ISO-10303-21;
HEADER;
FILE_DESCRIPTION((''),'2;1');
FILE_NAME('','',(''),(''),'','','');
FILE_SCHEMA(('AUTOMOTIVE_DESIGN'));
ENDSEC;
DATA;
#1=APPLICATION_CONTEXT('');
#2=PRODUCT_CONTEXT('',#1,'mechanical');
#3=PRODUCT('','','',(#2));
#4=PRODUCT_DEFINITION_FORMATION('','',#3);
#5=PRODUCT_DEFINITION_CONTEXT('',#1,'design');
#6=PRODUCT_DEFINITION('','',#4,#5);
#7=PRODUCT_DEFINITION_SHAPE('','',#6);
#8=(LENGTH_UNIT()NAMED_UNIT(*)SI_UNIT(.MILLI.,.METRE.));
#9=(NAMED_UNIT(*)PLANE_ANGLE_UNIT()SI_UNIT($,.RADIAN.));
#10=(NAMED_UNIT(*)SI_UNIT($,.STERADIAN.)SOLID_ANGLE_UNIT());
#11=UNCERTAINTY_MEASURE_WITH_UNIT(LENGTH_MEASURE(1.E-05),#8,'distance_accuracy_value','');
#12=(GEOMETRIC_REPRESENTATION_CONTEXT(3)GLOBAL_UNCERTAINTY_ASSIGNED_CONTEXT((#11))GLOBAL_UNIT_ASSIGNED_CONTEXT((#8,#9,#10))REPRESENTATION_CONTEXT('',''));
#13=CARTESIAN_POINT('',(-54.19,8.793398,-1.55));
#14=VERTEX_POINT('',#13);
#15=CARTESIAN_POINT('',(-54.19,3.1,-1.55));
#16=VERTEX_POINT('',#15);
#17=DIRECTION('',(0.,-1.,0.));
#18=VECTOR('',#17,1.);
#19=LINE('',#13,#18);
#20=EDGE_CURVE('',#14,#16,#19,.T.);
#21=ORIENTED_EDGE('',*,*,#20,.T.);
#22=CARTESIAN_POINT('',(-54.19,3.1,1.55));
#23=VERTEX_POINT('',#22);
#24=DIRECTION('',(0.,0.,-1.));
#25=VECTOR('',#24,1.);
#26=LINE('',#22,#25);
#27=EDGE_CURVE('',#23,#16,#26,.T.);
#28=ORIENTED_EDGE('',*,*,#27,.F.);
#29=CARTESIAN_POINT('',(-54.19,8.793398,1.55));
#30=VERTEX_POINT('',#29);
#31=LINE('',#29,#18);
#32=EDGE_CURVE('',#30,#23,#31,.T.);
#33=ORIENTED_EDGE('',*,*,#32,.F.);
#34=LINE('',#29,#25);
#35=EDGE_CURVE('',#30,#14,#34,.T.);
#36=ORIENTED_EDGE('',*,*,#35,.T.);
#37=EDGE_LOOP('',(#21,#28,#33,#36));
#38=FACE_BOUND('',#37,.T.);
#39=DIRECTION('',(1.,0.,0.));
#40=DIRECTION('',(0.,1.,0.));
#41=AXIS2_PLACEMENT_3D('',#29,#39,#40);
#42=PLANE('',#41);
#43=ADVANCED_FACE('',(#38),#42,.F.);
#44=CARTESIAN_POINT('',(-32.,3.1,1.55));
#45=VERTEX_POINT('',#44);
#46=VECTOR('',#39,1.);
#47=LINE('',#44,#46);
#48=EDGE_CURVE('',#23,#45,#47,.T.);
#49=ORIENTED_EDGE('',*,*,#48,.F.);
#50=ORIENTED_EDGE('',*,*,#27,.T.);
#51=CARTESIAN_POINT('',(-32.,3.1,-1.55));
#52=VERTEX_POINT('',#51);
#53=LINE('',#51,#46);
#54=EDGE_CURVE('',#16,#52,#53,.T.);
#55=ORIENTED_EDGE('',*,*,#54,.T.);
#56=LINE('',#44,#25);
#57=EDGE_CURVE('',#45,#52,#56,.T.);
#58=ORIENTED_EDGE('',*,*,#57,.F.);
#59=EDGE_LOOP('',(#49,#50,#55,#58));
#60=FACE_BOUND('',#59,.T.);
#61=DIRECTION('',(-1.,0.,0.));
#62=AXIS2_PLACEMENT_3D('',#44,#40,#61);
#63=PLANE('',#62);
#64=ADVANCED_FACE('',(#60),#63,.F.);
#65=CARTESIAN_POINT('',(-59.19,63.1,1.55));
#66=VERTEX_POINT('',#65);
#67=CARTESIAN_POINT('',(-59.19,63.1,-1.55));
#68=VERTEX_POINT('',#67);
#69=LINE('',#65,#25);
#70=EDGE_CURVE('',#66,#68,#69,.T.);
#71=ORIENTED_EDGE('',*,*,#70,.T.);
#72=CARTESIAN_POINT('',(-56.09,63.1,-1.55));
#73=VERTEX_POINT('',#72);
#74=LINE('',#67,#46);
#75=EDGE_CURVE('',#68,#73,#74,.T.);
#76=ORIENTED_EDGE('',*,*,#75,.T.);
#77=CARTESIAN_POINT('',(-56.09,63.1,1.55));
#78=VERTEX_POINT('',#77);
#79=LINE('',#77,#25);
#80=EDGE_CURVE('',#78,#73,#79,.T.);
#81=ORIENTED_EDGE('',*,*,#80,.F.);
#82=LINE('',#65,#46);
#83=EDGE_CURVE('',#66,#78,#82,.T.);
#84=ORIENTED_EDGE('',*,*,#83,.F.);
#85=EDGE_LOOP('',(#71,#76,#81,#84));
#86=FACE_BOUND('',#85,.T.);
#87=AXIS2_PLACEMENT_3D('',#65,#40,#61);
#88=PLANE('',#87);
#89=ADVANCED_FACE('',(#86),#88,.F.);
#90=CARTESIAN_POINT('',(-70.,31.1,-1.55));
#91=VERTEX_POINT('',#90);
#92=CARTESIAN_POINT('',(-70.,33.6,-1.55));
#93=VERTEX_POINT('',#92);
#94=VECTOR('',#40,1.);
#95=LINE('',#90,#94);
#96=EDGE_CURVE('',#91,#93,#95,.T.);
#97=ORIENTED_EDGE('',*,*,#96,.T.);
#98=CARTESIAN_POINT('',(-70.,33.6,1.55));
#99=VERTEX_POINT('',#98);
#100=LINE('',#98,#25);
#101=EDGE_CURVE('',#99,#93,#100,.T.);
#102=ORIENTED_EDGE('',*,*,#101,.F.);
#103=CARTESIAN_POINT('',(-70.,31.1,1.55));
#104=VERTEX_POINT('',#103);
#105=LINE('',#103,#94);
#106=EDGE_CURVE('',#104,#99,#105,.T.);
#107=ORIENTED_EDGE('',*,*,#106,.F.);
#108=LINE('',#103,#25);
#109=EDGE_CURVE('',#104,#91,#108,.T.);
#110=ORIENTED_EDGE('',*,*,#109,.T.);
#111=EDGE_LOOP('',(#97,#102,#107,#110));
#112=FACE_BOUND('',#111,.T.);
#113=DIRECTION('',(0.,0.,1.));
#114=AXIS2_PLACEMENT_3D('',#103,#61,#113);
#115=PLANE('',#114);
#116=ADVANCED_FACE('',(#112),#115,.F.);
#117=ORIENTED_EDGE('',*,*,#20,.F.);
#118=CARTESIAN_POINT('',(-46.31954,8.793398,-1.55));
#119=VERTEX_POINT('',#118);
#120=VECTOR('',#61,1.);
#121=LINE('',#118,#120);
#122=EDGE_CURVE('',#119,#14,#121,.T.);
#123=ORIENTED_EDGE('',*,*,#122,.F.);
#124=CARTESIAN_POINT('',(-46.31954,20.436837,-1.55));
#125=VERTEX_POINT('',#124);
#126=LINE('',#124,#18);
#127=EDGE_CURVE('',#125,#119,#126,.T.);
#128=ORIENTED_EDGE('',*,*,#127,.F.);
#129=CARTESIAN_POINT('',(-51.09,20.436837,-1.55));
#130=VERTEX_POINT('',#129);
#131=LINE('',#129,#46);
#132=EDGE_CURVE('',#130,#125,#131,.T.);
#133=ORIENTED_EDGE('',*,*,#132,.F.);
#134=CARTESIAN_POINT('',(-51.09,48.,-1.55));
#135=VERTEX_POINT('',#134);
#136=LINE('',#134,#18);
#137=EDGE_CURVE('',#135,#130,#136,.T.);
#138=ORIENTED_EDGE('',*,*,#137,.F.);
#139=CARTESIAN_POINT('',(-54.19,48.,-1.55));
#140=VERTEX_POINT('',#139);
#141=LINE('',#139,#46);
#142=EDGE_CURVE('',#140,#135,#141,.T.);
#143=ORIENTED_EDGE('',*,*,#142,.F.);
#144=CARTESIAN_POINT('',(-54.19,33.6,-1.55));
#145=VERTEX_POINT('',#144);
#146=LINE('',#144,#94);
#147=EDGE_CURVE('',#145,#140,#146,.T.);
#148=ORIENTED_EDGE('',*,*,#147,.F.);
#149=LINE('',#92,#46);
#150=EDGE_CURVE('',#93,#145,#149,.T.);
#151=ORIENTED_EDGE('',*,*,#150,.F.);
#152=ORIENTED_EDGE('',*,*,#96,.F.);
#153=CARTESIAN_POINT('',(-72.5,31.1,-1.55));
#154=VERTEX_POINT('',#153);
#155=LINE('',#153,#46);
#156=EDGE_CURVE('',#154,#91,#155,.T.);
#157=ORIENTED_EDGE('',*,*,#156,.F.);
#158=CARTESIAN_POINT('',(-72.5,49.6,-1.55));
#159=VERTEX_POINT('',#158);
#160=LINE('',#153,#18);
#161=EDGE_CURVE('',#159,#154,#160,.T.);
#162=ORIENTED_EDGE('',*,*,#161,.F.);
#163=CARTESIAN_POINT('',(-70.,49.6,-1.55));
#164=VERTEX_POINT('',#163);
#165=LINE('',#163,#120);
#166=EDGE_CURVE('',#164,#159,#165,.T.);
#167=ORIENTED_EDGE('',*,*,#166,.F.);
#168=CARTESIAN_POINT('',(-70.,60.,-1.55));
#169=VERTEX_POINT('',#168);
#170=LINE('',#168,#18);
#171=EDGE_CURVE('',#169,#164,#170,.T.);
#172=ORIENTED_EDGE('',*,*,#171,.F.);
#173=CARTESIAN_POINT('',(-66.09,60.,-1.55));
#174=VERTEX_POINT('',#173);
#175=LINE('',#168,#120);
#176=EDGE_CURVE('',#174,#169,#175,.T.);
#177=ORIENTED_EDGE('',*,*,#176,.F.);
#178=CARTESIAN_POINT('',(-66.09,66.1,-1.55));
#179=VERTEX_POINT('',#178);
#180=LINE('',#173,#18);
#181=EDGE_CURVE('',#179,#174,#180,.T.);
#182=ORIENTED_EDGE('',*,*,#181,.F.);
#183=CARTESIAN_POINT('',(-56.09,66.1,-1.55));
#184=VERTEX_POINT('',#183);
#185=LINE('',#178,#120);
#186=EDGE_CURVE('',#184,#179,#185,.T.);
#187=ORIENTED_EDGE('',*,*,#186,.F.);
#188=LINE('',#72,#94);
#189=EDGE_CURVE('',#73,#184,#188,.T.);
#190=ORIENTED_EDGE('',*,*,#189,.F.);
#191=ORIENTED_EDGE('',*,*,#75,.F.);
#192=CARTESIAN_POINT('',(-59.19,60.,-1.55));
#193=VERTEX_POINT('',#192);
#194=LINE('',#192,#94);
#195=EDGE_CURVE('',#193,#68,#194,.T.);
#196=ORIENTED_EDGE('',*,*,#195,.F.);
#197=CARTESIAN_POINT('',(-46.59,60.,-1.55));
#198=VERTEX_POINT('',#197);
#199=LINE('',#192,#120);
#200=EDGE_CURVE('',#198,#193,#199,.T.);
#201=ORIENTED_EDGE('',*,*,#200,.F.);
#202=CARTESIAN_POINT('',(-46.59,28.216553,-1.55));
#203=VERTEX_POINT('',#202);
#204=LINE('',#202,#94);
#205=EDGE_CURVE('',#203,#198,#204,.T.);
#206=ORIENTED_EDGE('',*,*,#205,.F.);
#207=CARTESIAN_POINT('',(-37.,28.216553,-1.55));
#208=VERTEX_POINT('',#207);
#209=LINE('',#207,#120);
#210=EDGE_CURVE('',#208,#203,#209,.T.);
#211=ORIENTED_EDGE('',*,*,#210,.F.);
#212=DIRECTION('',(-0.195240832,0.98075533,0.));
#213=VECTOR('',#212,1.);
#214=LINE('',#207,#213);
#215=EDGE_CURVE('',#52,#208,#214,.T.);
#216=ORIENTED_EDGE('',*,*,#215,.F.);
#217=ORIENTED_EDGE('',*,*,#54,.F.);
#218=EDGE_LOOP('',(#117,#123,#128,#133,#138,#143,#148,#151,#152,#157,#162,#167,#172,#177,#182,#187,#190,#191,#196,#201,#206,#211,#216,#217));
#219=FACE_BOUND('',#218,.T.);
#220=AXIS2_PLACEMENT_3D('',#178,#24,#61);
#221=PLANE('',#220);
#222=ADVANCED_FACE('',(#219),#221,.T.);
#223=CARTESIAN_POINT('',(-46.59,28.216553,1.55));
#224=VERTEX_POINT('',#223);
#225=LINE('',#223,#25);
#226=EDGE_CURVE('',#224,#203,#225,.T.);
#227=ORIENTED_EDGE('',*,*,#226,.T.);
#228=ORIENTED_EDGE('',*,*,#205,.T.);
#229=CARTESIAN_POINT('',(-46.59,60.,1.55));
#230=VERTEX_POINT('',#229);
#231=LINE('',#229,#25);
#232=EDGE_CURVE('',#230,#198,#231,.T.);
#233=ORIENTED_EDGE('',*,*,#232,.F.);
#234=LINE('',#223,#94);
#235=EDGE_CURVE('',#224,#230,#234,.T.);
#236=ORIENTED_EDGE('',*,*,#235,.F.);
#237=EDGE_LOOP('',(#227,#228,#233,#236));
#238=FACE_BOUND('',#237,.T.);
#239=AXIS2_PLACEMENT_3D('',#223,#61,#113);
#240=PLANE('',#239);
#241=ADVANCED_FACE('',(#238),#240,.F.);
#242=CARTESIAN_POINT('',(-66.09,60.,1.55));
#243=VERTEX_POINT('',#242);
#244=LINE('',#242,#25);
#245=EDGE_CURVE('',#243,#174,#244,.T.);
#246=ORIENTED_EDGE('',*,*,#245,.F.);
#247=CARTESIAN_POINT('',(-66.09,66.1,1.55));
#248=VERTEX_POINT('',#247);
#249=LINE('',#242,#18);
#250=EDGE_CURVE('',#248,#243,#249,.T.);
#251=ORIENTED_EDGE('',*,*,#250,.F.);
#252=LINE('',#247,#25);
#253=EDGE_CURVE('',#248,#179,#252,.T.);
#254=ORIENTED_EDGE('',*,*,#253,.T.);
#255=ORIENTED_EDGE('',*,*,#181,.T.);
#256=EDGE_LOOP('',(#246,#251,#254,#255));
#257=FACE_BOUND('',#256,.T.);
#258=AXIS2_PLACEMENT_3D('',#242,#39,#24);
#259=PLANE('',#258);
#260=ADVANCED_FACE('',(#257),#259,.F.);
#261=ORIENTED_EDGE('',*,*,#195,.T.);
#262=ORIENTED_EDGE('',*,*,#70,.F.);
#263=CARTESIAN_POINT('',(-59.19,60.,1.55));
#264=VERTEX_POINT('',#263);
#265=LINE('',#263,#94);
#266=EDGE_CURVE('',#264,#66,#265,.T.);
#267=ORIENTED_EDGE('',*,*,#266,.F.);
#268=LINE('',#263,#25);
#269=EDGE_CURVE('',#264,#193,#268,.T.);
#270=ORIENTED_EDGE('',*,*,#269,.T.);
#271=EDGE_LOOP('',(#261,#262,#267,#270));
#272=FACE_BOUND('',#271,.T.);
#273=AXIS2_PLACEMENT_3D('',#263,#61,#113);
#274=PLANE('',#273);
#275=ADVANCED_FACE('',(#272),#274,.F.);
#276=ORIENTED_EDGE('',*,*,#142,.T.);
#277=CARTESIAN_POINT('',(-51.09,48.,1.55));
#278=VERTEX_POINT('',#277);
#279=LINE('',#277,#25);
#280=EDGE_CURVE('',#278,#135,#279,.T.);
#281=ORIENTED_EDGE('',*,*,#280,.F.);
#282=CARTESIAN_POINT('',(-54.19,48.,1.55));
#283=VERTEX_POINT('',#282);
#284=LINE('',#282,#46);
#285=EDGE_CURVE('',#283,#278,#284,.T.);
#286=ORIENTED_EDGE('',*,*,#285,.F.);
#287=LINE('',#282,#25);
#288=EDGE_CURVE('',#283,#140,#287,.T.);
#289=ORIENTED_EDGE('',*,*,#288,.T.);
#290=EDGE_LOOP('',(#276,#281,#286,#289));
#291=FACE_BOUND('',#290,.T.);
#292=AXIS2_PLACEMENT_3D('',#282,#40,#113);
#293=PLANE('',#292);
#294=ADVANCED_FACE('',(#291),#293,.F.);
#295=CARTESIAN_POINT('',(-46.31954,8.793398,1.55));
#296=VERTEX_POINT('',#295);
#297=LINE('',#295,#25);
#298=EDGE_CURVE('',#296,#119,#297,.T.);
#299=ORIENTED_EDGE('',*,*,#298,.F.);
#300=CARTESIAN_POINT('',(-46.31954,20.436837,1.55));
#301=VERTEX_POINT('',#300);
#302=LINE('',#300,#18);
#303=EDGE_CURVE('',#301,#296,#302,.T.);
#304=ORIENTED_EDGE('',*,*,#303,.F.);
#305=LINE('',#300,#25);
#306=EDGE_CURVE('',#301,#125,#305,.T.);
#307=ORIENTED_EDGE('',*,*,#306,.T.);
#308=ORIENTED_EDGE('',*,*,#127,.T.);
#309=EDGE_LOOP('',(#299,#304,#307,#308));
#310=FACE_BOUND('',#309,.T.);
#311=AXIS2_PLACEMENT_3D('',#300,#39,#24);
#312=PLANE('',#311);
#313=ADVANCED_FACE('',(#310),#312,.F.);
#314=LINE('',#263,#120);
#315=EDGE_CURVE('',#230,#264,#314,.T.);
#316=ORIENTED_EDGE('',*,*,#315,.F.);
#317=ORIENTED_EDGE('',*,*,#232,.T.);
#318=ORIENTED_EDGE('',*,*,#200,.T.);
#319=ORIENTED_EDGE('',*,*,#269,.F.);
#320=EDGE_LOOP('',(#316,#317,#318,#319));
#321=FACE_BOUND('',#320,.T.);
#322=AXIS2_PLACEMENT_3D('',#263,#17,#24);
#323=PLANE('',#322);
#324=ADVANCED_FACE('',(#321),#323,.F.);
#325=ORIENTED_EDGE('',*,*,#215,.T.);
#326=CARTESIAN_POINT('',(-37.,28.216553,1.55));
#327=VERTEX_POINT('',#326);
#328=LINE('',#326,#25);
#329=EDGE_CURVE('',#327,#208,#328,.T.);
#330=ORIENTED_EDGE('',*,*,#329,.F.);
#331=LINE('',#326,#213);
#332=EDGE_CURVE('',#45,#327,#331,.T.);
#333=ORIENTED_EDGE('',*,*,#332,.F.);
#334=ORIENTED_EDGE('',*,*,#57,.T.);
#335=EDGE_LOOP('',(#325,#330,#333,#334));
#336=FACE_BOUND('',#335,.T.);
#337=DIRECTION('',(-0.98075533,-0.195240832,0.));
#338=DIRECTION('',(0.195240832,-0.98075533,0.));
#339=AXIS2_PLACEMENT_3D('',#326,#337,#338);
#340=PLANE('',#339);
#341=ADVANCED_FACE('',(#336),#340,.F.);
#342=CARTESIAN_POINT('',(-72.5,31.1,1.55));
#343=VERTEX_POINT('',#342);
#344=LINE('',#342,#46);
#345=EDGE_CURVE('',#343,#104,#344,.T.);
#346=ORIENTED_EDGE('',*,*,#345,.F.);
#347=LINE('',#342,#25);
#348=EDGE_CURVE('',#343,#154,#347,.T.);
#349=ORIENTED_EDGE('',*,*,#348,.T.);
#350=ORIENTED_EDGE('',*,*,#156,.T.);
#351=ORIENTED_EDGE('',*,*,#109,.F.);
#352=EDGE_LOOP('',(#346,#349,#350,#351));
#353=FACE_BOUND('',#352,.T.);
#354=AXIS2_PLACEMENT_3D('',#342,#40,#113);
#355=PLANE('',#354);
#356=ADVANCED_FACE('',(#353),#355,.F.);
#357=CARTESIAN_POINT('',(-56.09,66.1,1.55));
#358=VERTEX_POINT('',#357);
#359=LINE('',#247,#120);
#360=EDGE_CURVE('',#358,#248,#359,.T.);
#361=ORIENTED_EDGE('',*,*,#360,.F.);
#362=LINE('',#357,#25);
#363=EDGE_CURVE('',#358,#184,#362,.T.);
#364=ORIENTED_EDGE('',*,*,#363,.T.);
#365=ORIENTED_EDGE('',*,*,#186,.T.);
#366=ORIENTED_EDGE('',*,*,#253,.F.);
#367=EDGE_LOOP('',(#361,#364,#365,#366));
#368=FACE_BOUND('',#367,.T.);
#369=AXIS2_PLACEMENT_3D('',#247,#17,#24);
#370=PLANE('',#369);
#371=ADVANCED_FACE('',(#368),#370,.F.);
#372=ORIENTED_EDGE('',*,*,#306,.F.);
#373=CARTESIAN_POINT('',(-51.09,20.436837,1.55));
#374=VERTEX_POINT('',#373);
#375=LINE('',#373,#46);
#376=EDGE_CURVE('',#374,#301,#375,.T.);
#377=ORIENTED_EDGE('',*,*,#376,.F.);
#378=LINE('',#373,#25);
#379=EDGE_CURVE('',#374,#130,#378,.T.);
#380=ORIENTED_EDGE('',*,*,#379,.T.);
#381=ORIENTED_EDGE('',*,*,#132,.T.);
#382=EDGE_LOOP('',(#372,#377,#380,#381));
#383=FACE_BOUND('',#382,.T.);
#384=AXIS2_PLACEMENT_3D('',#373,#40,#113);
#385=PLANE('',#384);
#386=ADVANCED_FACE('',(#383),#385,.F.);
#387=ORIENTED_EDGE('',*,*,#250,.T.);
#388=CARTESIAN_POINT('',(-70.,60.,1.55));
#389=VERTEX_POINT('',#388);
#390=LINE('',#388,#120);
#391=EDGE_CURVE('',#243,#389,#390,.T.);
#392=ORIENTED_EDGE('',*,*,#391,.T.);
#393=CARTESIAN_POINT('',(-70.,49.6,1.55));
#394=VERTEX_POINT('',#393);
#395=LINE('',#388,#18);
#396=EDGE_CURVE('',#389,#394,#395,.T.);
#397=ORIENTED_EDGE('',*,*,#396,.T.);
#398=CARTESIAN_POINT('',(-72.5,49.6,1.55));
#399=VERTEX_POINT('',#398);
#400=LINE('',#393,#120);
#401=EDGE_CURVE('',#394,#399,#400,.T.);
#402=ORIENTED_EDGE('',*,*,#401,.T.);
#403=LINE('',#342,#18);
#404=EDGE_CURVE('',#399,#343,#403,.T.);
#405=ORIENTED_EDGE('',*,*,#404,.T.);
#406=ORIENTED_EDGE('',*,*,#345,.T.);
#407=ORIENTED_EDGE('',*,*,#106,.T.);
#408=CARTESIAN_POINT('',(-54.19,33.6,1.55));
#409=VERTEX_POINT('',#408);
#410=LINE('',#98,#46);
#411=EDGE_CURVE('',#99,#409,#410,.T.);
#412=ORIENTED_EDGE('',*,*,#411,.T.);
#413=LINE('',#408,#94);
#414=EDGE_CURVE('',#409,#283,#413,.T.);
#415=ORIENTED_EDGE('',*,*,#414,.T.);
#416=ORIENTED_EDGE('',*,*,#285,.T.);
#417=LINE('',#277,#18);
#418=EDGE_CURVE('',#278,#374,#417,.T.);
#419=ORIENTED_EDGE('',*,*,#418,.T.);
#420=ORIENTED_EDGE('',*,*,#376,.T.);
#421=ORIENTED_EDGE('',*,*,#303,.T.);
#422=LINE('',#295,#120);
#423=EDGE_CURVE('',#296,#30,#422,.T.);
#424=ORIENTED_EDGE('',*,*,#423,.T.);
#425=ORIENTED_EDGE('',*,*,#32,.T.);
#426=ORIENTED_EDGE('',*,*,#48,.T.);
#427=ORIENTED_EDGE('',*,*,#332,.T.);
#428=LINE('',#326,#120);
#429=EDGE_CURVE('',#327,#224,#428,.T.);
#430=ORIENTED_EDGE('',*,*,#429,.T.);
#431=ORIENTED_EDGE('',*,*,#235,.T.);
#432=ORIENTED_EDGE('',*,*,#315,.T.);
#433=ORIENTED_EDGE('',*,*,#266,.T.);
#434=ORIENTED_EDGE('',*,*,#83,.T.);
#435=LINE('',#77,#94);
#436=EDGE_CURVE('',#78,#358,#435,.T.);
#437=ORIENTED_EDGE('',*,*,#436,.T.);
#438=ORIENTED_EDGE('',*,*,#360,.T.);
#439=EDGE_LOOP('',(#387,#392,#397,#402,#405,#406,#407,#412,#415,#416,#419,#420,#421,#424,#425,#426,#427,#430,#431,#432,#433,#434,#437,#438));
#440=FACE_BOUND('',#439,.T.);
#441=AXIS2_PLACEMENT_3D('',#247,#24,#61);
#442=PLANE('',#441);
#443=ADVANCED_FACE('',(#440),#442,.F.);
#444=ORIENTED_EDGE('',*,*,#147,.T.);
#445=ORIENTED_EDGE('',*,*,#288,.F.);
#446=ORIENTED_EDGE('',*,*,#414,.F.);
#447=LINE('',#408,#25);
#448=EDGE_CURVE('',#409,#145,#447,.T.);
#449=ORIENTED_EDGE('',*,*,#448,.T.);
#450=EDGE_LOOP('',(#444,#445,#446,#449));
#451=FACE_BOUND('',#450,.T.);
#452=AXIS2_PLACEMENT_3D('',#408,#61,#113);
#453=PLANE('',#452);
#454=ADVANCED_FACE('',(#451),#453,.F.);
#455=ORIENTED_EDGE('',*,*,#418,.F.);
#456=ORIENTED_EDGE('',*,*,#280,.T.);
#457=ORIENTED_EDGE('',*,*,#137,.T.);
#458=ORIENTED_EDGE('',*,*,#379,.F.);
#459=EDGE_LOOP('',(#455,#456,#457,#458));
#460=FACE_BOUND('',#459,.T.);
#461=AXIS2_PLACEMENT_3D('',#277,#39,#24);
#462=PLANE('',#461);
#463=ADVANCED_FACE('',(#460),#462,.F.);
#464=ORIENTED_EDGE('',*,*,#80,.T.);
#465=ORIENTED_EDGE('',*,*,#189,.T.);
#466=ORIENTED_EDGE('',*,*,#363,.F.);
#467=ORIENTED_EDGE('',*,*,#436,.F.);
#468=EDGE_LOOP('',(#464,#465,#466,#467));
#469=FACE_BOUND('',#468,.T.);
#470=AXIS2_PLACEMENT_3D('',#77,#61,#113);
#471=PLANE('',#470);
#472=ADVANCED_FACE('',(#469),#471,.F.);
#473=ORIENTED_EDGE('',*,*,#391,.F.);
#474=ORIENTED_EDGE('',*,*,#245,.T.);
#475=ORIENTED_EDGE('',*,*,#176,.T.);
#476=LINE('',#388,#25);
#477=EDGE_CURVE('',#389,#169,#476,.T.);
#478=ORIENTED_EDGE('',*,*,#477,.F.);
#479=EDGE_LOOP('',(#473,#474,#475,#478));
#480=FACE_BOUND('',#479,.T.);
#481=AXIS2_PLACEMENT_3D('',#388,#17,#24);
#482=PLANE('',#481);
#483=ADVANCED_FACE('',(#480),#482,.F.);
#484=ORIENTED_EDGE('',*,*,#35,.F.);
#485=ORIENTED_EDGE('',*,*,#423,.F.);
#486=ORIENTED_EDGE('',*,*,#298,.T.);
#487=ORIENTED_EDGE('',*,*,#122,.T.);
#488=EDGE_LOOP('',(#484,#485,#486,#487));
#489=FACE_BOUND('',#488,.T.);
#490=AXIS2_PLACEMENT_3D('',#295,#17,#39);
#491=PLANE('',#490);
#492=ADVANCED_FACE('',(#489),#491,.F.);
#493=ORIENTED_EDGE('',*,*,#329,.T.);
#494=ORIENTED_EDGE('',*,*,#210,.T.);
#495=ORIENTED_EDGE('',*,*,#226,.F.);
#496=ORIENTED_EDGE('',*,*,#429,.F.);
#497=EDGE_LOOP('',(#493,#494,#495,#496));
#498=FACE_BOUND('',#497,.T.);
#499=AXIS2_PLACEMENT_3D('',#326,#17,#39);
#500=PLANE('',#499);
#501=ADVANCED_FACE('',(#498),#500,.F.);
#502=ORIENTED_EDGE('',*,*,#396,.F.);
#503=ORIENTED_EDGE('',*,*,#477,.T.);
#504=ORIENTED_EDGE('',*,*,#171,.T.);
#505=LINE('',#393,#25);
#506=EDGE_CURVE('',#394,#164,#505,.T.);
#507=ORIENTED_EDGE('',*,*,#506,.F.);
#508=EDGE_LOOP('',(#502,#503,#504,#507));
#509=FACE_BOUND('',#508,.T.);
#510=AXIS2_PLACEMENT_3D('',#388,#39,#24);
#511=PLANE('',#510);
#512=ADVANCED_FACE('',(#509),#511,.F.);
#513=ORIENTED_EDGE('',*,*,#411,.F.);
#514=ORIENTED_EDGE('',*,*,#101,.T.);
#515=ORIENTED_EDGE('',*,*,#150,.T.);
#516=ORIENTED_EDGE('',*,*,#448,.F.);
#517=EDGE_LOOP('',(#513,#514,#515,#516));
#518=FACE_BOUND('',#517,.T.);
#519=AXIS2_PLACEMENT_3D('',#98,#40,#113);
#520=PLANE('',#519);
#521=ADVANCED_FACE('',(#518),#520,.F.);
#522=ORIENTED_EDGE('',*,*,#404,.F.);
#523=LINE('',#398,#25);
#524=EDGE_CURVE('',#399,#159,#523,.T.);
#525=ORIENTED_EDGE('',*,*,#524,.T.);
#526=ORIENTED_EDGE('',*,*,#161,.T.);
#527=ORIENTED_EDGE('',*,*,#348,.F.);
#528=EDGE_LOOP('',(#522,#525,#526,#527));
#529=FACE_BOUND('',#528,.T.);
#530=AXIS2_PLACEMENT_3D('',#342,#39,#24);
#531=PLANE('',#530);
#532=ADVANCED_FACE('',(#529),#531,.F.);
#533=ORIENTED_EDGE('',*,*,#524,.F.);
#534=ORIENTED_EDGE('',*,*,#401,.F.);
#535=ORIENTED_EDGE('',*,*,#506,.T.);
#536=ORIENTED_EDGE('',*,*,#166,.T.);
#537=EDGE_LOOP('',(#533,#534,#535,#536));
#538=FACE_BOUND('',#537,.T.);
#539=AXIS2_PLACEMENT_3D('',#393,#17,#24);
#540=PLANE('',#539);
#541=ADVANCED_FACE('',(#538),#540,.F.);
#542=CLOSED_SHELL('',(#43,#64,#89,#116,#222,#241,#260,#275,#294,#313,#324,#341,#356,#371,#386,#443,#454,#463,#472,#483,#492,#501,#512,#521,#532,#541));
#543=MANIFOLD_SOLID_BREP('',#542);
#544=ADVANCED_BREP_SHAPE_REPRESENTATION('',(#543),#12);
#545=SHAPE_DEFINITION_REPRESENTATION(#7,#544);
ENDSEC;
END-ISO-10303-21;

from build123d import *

# Parameters (mm, degrees)
BOSS_EXTRUDE1_DEPTH      = 1.55
BOSS_EXTRUDE1_DEPTH_BACK = 1.55


with BuildPart() as part:
    # Sketch1 → Boss-Extrude1 (new, two sides: drawn at the far end of the back side and taken through both)
    with BuildSketch(Plane.XY.offset(-BOSS_EXTRUDE1_DEPTH_BACK)):
        Polygon((-72.5, 31.1), (-70, 31.1), (-70, 33.6), (-54.19, 33.6), (-54.19, 48), (-51.09, 48), (-51.09, 20.43683659), (-46.319540472, 20.43683659), (-46.319540472, 8.793397686), (-54.19, 8.793397686), (-54.19, 3.1), (-32, 3.1), (-37, 28.21655276), (-46.59, 28.21655276), (-46.59, 60), (-59.19, 60), (-59.19, 63.1), (-56.09, 63.1), (-56.09, 66.1), (-66.09, 66.1), (-66.09, 60), (-70, 60), (-70, 49.6), (-72.5, 49.6), align=None)
    extrude(amount=BOSS_EXTRUDE1_DEPTH + BOSS_EXTRUDE1_DEPTH_BACK)


solid = part.part
